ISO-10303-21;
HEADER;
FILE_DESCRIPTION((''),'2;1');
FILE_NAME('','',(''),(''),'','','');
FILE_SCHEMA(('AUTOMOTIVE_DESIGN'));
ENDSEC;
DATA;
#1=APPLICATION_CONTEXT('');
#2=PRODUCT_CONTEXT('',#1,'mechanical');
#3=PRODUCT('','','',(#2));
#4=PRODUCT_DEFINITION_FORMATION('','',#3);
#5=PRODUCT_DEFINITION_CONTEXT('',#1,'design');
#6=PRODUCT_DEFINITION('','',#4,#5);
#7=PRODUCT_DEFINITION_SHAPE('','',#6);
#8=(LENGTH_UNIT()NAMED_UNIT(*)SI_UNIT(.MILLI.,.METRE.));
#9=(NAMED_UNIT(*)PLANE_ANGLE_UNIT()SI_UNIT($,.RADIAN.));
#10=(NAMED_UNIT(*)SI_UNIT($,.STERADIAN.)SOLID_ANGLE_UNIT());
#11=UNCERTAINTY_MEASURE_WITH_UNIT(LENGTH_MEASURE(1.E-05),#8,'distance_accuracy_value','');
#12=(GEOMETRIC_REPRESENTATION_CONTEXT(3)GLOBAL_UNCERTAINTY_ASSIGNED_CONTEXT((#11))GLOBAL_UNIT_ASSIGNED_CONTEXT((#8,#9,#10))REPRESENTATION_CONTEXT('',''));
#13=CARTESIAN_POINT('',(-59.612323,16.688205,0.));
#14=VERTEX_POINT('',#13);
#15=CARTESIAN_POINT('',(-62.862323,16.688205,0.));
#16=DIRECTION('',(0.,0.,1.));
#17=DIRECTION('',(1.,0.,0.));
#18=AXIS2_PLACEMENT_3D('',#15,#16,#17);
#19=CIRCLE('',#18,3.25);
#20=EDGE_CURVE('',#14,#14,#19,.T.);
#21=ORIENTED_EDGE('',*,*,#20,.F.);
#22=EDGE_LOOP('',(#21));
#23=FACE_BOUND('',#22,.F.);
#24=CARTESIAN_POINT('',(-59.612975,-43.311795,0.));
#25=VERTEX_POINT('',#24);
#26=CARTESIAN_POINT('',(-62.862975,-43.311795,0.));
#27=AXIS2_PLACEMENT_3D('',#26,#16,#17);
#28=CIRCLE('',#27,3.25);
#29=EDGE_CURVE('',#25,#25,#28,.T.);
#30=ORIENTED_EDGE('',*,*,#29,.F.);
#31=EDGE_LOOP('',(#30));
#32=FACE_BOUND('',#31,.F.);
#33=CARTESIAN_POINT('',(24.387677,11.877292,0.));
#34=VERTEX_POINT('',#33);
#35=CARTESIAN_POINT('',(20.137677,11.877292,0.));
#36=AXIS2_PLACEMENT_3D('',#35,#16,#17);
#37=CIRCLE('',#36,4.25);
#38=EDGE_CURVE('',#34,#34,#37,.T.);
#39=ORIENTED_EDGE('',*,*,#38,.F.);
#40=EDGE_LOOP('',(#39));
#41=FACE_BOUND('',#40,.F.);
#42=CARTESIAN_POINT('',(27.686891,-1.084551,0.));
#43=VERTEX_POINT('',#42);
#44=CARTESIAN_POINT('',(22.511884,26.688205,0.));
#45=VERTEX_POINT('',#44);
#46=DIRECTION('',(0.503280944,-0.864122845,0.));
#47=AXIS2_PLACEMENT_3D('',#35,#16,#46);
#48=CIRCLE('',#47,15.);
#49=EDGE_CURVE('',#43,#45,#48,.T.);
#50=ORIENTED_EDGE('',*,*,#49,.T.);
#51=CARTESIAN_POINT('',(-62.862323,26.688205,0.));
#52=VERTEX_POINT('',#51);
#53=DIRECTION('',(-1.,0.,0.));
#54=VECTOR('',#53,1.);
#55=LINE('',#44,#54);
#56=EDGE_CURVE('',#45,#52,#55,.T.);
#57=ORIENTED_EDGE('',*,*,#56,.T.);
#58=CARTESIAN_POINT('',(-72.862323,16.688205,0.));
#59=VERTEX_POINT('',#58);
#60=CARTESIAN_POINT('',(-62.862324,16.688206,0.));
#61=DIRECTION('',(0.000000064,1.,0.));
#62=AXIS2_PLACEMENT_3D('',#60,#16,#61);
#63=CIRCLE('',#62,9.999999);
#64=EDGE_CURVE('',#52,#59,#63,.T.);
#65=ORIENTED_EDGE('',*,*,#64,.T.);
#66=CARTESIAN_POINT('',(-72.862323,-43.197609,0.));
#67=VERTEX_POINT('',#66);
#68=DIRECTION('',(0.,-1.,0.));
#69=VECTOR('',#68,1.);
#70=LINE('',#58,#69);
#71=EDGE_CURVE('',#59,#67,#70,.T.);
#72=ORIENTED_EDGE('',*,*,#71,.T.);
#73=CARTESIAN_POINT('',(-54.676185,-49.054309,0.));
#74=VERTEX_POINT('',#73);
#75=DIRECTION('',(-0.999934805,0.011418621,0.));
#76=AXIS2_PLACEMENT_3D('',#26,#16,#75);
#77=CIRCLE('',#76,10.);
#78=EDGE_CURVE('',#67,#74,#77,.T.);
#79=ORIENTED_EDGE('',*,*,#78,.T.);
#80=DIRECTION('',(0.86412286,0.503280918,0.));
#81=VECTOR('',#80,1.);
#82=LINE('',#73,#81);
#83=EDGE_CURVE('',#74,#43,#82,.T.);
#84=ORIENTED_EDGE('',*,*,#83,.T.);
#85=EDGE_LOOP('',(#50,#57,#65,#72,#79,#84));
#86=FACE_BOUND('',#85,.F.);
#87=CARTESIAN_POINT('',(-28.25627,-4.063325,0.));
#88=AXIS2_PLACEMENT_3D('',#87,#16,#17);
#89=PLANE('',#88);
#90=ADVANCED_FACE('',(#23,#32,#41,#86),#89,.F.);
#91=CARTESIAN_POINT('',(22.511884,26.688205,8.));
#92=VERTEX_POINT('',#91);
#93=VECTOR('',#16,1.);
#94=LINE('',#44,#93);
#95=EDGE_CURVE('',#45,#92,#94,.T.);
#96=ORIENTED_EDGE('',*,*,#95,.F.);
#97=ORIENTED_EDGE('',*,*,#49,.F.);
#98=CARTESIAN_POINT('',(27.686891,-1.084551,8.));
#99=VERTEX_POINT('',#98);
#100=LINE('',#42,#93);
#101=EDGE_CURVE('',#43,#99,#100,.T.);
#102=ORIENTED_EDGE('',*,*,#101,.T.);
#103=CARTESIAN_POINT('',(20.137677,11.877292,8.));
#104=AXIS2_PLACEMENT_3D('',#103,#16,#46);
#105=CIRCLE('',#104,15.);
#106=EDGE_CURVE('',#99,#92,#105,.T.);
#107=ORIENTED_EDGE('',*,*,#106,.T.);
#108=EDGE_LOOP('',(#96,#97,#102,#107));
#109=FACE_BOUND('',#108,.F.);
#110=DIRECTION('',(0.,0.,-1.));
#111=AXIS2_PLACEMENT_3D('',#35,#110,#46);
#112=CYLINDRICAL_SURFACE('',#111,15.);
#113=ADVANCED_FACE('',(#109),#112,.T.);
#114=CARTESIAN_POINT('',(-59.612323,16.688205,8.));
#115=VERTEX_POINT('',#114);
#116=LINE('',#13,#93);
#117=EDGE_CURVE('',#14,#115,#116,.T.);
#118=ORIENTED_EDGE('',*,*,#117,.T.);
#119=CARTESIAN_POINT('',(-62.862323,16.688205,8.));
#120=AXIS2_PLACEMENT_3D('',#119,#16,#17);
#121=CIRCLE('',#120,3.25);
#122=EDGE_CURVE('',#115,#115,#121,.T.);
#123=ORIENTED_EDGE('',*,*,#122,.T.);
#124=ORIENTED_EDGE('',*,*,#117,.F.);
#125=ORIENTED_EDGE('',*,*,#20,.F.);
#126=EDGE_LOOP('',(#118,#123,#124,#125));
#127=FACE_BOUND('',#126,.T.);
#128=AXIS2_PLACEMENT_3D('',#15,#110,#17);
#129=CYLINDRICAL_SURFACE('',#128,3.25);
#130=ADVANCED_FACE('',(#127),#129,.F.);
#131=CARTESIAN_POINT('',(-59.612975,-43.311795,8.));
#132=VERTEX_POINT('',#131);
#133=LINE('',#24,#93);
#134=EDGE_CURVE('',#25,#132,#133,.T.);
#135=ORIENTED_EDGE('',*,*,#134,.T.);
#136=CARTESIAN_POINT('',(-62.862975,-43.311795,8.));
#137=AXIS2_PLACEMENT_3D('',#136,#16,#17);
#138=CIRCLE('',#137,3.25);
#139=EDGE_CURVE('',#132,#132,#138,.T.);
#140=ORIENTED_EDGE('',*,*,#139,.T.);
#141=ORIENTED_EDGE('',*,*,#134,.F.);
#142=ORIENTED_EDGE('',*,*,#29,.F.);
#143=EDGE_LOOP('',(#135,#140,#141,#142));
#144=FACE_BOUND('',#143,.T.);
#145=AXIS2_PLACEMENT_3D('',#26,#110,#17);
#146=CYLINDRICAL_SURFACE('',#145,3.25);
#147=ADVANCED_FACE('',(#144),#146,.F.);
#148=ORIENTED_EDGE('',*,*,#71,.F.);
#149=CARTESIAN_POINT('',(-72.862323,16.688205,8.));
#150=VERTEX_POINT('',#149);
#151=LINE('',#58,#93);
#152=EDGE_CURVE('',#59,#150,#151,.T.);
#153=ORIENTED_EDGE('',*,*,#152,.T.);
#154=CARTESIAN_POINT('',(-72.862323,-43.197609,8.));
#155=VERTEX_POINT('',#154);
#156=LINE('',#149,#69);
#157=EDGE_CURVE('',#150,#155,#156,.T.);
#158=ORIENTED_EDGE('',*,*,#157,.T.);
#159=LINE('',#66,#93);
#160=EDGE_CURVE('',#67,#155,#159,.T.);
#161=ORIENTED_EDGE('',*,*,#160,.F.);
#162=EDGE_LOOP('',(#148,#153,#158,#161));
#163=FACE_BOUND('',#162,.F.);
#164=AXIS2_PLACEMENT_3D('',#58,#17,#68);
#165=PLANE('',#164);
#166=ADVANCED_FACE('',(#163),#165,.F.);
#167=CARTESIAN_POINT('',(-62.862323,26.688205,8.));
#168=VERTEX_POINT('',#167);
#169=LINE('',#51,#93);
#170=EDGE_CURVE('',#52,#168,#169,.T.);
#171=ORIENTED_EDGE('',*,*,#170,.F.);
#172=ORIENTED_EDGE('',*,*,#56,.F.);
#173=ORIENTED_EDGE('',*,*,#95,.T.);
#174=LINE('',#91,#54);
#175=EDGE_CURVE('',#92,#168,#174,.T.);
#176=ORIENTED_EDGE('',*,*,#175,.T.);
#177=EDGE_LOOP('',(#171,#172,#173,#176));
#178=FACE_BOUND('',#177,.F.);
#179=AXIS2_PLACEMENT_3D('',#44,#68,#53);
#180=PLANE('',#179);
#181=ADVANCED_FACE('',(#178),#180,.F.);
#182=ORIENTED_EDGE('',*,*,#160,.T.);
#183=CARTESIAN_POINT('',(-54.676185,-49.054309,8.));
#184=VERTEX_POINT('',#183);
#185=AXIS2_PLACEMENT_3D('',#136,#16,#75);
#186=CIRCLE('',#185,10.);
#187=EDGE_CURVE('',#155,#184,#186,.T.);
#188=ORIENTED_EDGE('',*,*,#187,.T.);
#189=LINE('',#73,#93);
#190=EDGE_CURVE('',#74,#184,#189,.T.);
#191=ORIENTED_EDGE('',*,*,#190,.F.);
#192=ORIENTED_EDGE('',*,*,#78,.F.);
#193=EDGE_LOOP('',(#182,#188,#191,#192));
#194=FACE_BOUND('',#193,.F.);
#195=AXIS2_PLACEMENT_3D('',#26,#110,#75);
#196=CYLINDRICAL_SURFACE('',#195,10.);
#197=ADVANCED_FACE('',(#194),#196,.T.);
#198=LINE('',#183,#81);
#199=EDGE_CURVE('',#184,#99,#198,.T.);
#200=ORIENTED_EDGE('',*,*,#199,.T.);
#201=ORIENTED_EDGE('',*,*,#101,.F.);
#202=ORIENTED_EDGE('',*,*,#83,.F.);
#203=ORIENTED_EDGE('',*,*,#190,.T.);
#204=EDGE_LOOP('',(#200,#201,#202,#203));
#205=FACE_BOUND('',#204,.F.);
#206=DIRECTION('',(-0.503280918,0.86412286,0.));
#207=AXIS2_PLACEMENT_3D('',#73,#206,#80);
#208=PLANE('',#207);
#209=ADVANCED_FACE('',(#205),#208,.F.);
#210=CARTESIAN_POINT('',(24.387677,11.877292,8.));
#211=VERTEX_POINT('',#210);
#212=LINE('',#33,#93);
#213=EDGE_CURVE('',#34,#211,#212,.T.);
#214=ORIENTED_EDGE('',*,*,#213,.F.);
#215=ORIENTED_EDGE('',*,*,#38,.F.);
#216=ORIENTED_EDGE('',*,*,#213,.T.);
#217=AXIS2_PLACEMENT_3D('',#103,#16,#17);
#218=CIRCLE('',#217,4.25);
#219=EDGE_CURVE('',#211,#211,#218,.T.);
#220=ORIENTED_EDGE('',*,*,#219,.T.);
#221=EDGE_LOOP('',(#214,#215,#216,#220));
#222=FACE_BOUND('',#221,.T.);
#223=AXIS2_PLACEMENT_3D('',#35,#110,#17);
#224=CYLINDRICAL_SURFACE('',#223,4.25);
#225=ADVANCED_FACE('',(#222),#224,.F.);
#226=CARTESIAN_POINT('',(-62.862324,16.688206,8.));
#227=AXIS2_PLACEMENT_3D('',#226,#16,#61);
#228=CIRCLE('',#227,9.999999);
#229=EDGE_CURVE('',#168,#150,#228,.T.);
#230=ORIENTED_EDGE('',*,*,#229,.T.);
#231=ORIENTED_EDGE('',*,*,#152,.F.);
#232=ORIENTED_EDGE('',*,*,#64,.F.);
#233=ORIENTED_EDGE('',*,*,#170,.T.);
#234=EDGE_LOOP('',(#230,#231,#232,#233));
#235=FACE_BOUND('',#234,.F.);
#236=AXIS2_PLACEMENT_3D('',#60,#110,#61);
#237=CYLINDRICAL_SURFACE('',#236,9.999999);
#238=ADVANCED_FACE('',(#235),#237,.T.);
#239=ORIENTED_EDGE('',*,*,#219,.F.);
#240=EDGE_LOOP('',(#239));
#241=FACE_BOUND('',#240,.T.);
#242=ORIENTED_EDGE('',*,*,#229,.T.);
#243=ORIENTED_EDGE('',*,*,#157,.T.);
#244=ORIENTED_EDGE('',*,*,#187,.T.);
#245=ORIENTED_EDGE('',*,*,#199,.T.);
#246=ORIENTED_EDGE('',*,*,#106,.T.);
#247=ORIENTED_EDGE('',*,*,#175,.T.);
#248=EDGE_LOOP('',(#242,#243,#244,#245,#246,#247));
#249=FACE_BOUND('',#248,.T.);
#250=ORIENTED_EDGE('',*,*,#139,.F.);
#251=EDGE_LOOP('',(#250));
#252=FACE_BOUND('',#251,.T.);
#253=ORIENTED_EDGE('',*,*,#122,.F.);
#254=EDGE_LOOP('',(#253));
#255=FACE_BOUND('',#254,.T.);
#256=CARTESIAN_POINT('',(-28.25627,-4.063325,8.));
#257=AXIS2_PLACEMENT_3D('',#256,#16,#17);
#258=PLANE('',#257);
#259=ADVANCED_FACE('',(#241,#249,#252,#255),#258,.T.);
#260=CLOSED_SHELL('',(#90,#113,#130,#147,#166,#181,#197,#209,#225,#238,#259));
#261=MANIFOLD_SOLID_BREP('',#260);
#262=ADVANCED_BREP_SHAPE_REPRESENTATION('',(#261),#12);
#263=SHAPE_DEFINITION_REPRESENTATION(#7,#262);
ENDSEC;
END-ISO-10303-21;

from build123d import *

# Parameters (mm, degrees)
F0_R     = 3.25
F0_R_2   = 4.25
F1_DEPTH = 8


with BuildPart() as f1:
    # F0 (on Top) → F1 (new body)
    with BuildSketch(Plane.XY):
        with BuildLine():
            Line((17.76347, 26.688205), (-62.862323, 26.688205))
            ThreePointArc((-62.862323, 26.688205), (-69.933391, 23.759273), (-72.862323, 16.688205))
            Line((-72.862323, 16.688205), (-72.862323, -43.197609))
            ThreePointArc((-72.862323, -43.197609), (-65.928359, -52.830378), (-54.676185, -49.054309))
            Line((-54.676185, -49.054309), (27.686891, -1.084551))
            ThreePointArc((27.686891, -1.084551), (34.883865, 14.625007), (22.511884, 26.688205))
            Line((22.511884, 26.688205), (17.76347, 26.688205))
        make_face()
        with Locations((-62.862975, -43.311795)):
            Circle(F0_R, mode=Mode.SUBTRACT)
        with Locations((-62.862323, 16.688205)):
            Circle(F0_R, mode=Mode.SUBTRACT)
        with Locations((20.137677, 11.877292)):
            Circle(F0_R_2, mode=Mode.SUBTRACT)
    extrude(amount=F1_DEPTH)


solid = f1.part
